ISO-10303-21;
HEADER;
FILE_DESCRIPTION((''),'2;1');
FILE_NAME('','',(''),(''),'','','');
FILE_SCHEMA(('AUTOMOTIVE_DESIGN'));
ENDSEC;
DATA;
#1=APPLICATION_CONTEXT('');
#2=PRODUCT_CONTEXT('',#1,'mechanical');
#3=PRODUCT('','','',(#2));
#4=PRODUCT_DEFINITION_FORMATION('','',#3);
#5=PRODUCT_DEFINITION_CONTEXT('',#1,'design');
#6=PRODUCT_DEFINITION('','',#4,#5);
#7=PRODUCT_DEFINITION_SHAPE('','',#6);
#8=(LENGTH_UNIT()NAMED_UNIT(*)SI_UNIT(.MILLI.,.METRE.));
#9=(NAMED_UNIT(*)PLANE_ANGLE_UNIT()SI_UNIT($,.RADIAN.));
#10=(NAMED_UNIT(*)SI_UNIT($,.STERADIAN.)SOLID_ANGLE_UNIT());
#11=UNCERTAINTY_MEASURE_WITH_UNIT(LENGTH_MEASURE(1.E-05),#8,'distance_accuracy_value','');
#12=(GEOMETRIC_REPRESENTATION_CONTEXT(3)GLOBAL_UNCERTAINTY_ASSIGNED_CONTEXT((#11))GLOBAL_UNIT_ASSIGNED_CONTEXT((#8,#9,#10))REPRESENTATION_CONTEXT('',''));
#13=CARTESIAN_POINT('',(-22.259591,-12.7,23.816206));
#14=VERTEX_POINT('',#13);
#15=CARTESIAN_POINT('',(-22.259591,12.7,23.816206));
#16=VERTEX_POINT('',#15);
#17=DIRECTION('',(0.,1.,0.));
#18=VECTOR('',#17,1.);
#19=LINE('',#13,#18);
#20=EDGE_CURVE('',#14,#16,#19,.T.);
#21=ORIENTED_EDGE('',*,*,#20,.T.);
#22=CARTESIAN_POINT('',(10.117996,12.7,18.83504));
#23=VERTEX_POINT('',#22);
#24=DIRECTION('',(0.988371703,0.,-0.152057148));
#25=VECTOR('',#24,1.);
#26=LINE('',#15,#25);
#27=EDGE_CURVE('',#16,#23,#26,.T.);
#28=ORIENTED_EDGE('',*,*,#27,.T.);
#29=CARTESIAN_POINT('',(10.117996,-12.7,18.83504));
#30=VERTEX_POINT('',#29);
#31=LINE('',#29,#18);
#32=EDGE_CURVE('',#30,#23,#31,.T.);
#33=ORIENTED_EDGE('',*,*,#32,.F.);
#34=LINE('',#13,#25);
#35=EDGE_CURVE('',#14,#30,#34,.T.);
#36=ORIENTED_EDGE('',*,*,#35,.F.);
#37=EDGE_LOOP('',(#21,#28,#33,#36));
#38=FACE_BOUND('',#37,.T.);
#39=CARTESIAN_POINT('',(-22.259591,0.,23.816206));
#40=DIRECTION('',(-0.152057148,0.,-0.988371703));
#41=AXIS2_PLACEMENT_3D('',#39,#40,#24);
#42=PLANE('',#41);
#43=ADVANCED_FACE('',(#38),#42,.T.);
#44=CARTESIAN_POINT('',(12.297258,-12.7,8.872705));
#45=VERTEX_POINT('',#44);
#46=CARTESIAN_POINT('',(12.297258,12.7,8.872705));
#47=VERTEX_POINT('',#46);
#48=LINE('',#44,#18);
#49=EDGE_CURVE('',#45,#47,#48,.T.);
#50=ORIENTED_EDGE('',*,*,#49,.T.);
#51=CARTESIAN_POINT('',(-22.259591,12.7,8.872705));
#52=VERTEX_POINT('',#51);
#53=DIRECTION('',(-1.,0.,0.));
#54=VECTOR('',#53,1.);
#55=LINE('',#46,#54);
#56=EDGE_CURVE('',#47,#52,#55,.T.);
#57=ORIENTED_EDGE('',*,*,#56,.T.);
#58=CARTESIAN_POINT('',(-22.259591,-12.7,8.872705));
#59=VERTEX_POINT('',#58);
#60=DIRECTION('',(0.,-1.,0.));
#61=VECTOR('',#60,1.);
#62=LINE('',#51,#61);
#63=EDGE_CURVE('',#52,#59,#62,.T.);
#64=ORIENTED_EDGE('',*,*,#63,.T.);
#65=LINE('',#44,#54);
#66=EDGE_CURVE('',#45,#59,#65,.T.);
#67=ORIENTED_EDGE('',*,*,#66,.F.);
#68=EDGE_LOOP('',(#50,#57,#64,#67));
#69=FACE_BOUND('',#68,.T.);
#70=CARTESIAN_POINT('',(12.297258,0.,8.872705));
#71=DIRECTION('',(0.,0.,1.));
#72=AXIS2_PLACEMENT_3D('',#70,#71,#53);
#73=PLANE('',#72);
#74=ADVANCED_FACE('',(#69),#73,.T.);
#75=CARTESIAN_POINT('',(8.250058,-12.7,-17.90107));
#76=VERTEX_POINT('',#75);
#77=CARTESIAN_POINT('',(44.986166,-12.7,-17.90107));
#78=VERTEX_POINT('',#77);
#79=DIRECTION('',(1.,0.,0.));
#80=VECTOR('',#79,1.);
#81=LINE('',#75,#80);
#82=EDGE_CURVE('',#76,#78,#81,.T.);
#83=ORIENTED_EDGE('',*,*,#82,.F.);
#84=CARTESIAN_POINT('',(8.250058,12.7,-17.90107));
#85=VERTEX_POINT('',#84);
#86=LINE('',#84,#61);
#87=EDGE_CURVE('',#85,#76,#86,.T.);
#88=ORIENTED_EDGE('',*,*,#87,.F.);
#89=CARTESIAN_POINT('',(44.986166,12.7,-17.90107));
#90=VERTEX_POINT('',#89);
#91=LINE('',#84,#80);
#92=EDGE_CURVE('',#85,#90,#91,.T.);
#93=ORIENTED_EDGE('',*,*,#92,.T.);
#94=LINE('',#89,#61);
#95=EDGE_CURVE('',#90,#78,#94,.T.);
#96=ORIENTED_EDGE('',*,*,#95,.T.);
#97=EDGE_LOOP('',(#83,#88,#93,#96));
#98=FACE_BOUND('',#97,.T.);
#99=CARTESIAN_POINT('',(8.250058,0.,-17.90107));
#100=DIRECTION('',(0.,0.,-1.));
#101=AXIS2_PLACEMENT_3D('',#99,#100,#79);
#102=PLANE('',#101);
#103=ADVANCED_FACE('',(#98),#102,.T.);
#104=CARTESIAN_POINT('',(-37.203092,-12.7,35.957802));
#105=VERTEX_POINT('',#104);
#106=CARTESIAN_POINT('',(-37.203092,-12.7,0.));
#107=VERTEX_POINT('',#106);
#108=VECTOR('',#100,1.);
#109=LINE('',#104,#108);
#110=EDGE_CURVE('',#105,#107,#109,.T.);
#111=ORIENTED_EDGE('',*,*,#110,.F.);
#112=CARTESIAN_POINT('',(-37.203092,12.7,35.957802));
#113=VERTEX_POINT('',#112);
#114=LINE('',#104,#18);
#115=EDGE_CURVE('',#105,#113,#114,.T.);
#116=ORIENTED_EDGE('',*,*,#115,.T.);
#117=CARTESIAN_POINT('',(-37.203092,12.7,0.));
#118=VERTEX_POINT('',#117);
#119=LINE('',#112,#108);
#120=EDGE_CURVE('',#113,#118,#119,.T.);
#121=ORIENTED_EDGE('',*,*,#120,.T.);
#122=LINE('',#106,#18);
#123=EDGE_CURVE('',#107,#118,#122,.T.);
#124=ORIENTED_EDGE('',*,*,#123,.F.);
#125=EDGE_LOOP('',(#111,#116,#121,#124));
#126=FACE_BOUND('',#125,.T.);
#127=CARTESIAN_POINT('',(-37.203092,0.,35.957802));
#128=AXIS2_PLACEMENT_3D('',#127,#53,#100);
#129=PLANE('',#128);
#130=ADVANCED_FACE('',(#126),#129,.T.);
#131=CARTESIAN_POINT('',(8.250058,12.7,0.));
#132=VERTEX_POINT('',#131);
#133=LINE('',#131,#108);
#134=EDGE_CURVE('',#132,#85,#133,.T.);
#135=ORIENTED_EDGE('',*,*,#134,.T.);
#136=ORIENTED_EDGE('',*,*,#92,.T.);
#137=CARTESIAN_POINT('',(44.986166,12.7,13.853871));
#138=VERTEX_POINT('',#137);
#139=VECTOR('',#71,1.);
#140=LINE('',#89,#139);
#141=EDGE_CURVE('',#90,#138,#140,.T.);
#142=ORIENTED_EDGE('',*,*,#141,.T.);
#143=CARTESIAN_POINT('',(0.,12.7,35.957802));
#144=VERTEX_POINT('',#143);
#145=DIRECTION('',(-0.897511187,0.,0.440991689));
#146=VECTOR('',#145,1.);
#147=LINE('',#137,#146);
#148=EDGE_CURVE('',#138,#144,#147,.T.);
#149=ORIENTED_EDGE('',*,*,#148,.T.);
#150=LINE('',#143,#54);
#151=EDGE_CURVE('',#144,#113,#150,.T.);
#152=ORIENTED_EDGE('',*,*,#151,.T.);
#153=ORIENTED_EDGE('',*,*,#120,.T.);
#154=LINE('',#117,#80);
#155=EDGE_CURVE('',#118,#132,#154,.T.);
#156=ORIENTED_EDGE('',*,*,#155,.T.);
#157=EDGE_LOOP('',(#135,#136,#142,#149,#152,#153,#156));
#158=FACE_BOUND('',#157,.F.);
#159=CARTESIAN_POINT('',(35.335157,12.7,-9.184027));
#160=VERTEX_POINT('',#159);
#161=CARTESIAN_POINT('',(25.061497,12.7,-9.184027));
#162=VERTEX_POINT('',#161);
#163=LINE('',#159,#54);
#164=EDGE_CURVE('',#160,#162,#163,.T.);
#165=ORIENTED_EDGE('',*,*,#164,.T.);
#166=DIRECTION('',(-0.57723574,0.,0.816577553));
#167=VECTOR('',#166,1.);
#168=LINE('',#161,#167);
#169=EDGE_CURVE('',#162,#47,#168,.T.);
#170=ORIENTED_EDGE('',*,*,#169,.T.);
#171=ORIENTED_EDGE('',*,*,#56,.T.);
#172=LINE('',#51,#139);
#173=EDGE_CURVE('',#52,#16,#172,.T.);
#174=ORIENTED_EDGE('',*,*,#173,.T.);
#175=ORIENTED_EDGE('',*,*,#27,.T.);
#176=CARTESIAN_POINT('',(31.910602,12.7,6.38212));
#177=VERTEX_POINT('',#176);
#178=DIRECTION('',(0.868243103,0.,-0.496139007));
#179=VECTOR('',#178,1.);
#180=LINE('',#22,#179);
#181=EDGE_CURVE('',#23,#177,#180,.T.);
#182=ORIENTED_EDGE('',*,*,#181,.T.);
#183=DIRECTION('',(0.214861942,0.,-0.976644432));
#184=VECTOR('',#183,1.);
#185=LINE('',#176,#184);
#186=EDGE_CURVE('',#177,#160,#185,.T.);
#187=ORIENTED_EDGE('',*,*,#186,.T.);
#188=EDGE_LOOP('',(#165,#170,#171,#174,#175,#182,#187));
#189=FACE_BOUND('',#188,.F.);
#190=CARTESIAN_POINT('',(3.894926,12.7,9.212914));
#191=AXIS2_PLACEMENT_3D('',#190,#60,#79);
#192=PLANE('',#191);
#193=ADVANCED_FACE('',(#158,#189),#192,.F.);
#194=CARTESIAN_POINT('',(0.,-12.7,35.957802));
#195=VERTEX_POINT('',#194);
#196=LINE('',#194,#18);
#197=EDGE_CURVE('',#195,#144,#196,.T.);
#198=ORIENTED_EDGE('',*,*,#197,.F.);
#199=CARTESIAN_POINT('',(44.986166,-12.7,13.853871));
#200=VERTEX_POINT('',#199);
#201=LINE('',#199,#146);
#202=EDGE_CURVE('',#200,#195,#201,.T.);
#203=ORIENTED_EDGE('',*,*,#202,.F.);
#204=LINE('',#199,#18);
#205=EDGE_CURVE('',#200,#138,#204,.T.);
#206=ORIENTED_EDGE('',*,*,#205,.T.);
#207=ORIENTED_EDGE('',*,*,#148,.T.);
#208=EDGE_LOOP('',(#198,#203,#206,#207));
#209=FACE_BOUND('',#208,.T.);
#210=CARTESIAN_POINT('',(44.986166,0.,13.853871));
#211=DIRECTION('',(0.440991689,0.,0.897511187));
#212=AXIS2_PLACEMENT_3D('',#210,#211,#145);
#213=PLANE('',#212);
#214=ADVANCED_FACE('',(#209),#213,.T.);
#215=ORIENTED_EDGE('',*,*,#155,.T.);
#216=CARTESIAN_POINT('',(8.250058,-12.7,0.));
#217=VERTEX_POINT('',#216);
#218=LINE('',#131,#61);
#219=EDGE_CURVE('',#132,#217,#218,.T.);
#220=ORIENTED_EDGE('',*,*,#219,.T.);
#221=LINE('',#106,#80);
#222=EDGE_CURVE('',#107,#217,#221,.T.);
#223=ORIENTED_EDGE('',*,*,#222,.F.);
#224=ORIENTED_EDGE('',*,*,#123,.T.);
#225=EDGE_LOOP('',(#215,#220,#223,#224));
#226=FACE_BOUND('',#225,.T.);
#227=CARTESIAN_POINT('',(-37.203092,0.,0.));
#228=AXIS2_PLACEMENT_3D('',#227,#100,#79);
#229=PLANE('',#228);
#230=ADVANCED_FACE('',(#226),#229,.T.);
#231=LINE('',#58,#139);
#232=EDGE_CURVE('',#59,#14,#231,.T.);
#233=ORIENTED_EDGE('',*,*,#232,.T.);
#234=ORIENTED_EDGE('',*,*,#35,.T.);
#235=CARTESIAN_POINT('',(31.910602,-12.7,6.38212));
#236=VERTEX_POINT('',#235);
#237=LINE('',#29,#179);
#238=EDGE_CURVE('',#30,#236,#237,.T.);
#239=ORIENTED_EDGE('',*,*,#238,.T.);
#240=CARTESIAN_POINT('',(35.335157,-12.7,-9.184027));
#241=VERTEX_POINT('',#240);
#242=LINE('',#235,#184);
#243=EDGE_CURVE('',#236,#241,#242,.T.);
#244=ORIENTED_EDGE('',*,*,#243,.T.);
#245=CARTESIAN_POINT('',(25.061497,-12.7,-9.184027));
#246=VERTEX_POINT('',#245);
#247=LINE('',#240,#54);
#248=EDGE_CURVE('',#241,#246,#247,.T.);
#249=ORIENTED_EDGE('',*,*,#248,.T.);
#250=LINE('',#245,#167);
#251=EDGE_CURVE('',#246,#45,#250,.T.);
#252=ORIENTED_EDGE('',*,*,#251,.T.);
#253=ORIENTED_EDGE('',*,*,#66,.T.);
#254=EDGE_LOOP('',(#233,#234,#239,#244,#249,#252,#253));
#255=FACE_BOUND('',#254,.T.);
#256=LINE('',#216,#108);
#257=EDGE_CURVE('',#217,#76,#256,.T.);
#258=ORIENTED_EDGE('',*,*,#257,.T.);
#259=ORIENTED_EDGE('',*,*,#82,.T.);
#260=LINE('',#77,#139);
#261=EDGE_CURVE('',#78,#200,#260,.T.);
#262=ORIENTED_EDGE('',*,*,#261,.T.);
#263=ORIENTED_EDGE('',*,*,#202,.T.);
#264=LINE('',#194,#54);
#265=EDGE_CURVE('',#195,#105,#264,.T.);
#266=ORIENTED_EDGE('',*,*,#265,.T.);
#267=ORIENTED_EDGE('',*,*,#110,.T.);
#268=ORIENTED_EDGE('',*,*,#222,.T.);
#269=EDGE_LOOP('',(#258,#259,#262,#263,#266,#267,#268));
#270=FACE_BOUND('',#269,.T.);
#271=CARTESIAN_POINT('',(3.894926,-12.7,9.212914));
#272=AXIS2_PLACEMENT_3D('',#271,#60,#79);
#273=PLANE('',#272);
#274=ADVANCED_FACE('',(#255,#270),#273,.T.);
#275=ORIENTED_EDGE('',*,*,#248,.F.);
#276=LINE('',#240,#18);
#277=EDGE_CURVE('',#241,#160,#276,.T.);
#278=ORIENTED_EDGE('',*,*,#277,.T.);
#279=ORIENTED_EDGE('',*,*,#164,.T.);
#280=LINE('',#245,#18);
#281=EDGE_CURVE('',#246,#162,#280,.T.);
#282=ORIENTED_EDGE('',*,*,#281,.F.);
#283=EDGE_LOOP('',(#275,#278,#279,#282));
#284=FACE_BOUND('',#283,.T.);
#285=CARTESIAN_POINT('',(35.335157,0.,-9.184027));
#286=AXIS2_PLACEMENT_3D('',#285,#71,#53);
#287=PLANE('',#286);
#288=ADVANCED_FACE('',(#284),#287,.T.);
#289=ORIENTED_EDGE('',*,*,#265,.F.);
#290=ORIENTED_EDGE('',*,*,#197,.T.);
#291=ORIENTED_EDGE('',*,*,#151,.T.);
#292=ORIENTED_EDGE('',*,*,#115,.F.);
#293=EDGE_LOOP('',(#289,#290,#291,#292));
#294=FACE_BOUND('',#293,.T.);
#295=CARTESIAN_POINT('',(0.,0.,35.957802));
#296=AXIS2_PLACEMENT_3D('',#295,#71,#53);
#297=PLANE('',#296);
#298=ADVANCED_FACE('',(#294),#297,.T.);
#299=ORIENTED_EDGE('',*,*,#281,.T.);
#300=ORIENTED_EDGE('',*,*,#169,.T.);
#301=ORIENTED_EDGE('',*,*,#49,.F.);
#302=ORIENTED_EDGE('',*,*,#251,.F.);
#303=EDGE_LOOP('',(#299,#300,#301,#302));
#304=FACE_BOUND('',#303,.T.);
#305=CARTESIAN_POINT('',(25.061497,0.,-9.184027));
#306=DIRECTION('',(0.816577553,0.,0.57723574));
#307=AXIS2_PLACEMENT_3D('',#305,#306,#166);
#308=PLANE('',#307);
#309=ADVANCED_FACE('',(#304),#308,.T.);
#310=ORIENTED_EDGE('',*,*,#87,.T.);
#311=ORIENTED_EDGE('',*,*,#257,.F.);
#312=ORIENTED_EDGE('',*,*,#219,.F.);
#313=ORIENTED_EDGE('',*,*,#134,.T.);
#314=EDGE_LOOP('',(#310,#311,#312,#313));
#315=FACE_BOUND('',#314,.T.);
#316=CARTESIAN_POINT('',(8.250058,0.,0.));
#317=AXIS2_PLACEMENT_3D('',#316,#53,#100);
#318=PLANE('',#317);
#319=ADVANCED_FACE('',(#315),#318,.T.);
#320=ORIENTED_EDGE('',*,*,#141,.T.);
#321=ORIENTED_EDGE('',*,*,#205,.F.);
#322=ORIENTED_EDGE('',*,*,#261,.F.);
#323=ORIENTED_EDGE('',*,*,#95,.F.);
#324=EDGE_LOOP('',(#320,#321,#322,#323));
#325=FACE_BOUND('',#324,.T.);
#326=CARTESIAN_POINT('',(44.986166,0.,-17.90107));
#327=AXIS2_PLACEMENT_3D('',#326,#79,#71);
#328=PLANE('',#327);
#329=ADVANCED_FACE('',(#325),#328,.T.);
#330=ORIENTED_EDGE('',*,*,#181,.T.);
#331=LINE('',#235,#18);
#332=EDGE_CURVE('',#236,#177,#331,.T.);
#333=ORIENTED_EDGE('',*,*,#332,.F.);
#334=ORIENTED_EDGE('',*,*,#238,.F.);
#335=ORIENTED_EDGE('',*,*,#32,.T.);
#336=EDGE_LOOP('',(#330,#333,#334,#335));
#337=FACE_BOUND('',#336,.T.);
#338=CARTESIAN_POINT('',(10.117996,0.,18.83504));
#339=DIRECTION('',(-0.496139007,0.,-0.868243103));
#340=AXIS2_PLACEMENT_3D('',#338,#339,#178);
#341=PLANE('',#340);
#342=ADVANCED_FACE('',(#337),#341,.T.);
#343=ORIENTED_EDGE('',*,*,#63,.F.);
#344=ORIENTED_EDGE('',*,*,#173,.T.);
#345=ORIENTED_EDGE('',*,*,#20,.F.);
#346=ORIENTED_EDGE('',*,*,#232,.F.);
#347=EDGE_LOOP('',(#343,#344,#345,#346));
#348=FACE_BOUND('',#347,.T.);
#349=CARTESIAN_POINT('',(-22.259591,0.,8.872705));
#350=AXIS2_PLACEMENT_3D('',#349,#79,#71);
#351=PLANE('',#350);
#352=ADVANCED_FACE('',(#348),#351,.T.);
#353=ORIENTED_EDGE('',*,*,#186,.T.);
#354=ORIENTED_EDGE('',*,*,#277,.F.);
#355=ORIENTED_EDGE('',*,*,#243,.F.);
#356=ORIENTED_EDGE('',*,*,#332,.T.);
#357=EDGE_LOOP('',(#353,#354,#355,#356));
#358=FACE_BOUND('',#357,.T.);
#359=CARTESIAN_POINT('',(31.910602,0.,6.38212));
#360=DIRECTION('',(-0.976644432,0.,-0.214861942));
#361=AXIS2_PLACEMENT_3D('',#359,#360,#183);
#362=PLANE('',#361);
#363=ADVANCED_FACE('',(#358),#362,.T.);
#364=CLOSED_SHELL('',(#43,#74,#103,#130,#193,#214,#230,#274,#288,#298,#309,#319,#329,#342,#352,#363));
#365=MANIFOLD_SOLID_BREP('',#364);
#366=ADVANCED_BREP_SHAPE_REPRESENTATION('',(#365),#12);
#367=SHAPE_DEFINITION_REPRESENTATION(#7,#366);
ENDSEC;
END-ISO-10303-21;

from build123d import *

# Parameters (mm, degrees)
F1_DEPTH = 12.7


with BuildPart() as f1:
    # F0 (on Front) → F1 (new body, symmetric)
    with BuildSketch(Plane.XZ):
        Polygon((-37.203092, 0), (0, 0), (8.250058, 0), (8.250058, -17.90107), (44.986166, -17.90107), (44.986166, 13.853871), (0, 35.957802), (-37.203092, 35.957802), align=None)
        Polygon((-22.259591, 8.872705), (-22.259591, 23.816206), (10.117996, 18.83504), (31.910602, 6.38212), (35.335157, -9.184027), (25.061497, -9.184027), (12.297258, 8.872705), align=None, mode=Mode.SUBTRACT)
    extrude(amount=F1_DEPTH, both=True)


solid = f1.part
